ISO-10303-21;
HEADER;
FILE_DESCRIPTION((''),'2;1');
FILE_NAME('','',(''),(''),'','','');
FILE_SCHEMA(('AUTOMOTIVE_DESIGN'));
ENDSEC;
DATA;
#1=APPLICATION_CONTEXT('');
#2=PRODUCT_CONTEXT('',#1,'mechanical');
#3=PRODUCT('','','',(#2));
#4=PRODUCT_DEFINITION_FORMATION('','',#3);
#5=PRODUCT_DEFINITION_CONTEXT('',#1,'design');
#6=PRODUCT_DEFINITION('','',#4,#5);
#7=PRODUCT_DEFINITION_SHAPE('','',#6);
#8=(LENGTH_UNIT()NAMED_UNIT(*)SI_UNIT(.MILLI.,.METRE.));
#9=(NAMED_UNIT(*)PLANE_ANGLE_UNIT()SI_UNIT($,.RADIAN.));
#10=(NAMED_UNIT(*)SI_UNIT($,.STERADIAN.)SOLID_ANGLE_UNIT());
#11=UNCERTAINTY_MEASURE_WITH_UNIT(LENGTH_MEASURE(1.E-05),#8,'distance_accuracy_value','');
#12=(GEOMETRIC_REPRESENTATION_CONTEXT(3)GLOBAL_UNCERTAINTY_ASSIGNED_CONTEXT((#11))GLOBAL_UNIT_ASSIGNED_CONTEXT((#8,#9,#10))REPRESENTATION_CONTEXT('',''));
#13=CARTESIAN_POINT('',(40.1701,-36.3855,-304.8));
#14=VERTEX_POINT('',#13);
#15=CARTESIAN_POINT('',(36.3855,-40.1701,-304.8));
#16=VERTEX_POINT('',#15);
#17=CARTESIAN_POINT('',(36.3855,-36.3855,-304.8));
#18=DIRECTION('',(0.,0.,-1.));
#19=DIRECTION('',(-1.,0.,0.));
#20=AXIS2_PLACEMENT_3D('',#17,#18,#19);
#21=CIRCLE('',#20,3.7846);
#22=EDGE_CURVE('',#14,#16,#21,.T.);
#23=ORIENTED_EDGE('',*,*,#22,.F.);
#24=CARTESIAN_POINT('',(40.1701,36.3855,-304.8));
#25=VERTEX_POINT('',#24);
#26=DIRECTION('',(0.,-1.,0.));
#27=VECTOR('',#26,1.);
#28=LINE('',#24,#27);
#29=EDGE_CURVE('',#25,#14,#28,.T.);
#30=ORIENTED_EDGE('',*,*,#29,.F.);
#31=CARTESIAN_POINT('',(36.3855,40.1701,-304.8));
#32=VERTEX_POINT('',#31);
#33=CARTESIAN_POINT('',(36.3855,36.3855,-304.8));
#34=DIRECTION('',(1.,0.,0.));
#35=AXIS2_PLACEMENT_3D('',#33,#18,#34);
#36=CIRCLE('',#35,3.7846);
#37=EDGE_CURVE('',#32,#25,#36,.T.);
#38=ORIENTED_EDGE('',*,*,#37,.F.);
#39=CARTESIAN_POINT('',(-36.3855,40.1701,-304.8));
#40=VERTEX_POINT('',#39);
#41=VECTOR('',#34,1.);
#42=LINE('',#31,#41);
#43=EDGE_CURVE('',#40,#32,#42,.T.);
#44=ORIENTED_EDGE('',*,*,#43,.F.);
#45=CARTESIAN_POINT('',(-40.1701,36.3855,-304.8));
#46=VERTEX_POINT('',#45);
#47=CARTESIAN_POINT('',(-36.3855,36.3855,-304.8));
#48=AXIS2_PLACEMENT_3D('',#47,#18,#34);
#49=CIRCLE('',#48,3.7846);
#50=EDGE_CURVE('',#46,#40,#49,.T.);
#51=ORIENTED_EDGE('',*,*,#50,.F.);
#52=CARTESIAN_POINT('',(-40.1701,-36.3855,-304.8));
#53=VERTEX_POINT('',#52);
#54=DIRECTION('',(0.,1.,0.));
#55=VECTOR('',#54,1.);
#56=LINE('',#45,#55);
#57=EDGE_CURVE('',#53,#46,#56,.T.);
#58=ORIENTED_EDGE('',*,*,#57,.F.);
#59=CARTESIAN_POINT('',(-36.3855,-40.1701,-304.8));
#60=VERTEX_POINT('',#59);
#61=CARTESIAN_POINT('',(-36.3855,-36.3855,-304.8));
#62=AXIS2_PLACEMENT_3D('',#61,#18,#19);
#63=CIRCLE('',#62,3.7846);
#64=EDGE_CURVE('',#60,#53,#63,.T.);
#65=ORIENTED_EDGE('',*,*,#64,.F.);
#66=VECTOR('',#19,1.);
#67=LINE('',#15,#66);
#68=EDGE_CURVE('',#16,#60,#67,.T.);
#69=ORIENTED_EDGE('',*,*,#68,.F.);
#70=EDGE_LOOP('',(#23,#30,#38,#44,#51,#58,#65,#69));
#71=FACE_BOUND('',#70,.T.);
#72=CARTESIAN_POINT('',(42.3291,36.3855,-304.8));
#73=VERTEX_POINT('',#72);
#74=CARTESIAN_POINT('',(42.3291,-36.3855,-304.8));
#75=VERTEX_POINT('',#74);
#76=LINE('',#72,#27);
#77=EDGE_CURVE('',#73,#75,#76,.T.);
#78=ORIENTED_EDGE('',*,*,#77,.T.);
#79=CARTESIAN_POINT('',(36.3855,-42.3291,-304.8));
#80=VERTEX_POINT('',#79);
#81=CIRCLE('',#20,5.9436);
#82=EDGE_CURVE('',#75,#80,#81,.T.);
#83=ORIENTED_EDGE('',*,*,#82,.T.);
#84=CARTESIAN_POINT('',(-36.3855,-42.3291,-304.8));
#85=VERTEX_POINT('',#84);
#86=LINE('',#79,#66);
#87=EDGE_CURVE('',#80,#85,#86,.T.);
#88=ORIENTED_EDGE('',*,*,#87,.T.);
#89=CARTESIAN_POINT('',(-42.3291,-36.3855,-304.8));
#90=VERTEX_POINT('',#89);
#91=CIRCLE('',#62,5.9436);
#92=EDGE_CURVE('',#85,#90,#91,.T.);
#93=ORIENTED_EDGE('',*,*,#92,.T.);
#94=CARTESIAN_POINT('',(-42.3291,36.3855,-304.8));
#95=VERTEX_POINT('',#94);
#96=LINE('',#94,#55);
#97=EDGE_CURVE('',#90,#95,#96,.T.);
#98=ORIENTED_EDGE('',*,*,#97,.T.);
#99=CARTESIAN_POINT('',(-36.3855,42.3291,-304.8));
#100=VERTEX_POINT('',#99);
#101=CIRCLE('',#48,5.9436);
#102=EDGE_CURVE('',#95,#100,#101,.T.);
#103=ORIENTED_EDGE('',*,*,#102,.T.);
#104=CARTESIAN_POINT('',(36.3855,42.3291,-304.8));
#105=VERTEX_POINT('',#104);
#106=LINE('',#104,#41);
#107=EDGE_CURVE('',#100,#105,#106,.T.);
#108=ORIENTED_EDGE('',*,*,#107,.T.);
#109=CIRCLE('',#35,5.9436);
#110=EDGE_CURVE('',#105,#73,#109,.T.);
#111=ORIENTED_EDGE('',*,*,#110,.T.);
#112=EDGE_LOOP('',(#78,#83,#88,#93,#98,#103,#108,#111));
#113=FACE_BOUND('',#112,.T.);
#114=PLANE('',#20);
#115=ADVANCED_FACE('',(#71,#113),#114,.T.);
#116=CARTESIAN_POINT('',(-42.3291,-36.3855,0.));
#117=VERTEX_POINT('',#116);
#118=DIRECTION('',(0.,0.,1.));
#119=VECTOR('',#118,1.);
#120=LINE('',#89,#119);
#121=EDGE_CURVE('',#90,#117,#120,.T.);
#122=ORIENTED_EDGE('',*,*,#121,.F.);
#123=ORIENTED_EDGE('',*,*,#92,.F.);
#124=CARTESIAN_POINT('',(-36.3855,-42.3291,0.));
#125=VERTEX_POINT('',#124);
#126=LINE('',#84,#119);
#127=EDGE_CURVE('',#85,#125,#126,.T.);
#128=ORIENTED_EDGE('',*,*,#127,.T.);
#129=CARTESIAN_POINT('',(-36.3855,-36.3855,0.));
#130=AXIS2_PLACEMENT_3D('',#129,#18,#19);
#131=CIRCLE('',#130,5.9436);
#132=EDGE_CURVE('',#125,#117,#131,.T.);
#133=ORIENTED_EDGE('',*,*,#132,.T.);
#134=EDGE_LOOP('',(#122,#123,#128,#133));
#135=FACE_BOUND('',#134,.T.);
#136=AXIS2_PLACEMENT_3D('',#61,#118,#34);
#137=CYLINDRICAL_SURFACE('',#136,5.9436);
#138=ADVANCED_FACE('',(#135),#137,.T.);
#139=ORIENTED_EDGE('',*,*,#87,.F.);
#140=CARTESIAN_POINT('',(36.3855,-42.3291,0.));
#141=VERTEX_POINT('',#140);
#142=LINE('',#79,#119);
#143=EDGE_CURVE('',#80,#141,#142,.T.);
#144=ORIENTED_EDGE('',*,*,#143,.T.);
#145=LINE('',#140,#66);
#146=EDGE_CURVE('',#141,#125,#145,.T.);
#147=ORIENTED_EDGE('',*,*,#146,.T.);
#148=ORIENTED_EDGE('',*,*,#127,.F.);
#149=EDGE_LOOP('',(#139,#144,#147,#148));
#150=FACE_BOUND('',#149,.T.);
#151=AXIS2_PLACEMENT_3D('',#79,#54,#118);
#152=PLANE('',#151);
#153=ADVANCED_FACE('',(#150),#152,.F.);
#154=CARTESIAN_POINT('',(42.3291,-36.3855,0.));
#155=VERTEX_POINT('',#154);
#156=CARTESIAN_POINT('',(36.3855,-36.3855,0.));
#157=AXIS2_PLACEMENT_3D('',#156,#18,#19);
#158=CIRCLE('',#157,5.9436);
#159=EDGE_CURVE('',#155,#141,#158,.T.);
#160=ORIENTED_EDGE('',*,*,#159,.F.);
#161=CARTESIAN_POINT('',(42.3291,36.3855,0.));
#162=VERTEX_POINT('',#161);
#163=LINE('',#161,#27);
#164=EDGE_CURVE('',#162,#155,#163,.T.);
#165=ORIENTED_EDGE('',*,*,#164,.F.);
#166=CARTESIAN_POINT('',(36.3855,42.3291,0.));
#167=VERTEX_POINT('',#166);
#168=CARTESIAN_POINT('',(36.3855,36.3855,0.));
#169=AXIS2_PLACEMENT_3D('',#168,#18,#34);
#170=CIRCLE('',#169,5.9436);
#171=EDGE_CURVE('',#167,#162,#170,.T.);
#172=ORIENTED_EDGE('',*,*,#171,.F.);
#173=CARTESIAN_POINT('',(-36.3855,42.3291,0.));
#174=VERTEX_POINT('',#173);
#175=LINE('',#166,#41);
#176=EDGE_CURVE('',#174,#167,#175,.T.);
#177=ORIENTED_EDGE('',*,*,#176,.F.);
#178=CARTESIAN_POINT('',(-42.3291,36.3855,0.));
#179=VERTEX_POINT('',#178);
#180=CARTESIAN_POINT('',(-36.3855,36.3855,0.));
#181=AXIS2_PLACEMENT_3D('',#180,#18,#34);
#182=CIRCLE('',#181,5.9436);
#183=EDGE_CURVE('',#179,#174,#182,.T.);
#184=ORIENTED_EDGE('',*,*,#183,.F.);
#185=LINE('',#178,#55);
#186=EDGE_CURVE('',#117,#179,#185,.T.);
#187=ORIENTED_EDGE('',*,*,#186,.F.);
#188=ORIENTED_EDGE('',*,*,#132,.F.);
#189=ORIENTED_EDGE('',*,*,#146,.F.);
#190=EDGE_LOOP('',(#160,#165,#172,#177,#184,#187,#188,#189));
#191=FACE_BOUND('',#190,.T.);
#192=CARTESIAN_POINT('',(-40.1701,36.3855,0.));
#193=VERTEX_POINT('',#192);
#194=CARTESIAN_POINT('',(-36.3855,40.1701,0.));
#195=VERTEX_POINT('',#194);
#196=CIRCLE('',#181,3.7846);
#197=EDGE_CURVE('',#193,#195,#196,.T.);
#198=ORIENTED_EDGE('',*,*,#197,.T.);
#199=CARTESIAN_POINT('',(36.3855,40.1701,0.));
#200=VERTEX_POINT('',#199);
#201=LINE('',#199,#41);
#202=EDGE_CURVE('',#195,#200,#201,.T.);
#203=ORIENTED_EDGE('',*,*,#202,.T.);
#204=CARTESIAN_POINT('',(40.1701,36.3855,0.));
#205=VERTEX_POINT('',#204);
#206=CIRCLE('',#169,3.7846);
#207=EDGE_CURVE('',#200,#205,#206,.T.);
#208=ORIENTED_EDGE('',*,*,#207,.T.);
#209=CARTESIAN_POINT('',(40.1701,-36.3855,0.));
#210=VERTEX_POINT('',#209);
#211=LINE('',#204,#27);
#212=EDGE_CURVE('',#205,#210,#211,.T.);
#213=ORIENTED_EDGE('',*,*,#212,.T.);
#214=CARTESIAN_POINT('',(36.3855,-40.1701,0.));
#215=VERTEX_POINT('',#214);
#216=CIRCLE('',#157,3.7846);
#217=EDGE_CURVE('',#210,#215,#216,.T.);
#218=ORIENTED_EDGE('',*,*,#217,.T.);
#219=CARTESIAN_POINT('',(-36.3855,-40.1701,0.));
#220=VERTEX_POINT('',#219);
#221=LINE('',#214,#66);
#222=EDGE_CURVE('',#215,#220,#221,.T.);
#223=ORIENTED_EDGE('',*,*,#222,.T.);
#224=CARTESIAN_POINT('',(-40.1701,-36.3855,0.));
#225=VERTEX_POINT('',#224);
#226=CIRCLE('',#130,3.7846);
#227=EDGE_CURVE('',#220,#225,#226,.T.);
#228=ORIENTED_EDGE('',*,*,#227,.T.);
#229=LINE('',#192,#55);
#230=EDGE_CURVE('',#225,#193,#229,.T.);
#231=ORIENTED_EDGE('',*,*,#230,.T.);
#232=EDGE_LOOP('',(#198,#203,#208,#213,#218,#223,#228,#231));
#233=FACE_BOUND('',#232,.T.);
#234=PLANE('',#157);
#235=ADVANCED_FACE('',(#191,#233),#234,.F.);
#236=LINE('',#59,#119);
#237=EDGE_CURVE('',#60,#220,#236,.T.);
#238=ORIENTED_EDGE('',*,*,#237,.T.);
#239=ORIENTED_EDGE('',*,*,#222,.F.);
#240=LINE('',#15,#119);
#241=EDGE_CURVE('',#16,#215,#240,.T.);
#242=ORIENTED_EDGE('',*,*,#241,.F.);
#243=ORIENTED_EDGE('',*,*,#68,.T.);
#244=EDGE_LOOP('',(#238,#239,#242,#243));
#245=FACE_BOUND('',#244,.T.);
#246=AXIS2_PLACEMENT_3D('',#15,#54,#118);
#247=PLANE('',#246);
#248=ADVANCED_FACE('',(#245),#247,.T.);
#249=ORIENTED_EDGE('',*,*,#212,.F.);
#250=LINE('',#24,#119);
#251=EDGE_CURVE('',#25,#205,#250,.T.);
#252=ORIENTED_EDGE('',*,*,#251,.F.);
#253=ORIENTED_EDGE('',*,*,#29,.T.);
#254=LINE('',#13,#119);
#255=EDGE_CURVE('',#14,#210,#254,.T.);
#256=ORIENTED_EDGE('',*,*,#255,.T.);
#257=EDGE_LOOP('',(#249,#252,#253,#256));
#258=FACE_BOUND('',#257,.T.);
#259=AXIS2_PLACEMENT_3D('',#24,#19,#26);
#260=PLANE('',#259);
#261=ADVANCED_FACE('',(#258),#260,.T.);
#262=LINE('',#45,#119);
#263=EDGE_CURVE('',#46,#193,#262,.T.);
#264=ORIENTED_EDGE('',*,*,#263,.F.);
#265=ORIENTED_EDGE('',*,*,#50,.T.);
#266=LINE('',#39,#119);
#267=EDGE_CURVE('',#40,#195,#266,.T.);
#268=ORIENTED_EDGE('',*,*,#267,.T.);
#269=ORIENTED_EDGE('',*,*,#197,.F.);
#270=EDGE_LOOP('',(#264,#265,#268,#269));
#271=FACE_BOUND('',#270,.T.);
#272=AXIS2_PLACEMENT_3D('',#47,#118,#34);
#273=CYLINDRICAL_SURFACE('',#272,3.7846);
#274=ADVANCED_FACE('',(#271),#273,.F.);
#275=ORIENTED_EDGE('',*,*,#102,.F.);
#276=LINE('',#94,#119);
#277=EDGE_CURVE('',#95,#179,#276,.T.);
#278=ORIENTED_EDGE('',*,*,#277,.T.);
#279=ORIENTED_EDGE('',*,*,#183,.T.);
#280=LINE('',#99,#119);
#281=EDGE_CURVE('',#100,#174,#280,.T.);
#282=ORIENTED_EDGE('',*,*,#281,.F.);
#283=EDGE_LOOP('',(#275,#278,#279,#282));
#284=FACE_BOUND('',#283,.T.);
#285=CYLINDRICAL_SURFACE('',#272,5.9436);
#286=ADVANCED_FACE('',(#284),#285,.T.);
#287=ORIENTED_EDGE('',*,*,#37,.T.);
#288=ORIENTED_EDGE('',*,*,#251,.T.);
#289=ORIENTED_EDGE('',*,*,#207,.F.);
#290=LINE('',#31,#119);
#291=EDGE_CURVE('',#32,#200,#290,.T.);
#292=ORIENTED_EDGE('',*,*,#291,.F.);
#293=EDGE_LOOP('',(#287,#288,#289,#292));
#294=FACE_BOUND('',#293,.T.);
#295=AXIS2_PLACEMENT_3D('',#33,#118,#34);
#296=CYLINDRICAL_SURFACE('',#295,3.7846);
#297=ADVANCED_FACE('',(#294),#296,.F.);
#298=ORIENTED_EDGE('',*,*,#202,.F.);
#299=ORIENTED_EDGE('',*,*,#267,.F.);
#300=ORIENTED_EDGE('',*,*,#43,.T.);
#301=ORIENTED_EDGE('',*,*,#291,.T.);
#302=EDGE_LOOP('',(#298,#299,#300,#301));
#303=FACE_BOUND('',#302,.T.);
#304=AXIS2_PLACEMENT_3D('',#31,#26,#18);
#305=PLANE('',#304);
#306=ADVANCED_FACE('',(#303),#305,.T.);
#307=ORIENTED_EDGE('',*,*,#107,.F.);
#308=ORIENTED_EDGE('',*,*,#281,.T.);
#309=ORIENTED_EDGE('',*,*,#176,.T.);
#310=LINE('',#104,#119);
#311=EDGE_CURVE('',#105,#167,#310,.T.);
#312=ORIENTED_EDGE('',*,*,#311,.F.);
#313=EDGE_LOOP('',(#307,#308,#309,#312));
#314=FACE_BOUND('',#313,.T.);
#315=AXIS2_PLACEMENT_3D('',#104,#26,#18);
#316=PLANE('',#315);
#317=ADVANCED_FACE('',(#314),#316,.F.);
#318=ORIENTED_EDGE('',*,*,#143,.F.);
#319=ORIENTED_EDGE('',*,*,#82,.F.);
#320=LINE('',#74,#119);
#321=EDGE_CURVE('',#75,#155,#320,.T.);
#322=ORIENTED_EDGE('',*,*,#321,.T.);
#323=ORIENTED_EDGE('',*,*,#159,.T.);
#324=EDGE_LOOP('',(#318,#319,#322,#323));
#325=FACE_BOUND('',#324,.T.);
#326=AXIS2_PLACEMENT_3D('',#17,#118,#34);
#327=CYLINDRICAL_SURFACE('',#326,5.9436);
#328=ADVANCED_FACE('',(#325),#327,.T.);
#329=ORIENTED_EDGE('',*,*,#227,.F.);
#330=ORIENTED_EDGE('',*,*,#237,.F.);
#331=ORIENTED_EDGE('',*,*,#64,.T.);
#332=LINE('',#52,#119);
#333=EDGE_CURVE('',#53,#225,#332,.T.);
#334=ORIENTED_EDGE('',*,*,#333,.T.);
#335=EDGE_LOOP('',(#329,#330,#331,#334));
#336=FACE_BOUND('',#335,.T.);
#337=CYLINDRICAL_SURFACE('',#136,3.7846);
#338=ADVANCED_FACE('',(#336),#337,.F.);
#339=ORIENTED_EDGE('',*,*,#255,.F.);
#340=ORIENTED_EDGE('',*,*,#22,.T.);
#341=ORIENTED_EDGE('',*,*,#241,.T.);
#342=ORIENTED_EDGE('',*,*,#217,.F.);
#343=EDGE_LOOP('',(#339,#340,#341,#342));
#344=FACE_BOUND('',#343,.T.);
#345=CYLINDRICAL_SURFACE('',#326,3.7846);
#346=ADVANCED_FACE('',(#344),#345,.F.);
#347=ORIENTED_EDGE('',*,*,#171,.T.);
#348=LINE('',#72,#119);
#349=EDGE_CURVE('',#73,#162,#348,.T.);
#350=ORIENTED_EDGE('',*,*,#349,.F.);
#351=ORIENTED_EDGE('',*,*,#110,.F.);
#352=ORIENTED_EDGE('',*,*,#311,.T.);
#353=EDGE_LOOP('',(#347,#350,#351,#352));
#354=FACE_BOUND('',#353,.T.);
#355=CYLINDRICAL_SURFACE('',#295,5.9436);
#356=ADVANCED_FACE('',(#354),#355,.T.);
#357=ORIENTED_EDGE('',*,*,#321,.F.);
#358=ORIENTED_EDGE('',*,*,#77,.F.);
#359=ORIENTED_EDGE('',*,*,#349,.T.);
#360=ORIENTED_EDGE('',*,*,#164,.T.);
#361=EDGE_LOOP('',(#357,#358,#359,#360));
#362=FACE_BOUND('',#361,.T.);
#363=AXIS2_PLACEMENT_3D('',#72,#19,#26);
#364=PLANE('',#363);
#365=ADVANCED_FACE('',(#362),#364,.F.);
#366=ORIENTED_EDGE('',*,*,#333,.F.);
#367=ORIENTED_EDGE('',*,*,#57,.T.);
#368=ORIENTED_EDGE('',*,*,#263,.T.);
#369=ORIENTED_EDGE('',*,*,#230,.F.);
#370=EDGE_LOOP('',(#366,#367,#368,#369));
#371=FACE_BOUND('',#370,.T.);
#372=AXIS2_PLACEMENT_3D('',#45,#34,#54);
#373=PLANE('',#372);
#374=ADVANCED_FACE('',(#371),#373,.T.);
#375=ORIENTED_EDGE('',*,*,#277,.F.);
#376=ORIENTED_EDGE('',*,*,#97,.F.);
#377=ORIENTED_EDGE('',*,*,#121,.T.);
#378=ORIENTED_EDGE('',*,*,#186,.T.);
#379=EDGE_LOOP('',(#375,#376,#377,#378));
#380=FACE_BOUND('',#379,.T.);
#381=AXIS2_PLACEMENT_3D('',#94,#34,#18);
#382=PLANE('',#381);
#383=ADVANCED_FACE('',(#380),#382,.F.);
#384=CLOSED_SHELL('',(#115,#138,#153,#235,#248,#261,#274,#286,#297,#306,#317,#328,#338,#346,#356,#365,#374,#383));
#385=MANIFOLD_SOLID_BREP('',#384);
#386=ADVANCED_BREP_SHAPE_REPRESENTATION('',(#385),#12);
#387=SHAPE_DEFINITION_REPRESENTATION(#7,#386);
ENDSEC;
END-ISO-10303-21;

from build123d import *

# Parameters (mm, degrees)
STRUCTURAL_MEMBER1_DEPTH = 304.8


with BuildPart() as part:
    # Sketch137 → Structural Member1 (new body)
    with BuildSketch(Plane(origin=(0, 0, 0), x_dir=(-1, 0, 0), z_dir=(0, 0, -1))):
        with BuildLine():
            Line((-42.3291, 36.3855), (-42.3291, -36.3855))
            ThreePointArc((-42.3291, -36.3855), (-40.588259865, -40.588259865), (-36.3855, -42.3291))
            Line((-36.3855, -42.3291), (36.3855, -42.3291))
            ThreePointArc((36.3855, -42.3291), (40.588259865, -40.588259865), (42.3291, -36.3855))
            Line((42.3291, -36.3855), (42.3291, 36.3855))
            ThreePointArc((42.3291, 36.3855), (40.588259865, 40.588259865), (36.3855, 42.3291))
            Line((36.3855, 42.3291), (-36.3855, 42.3291))
            ThreePointArc((-36.3855, 42.3291), (-40.588259865, 40.588259865), (-42.3291, 36.3855))
        make_face()
        with BuildLine():
            Line((-40.1701, 36.3855), (-40.1701, -36.3855))
            ThreePointArc((-40.1701, -36.3855), (-39.061616324, -39.061616324), (-36.3855, -40.1701))
            Line((-36.3855, -40.1701), (36.3855, -40.1701))
            ThreePointArc((36.3855, -40.1701), (39.061616324, -39.061616324), (40.1701, -36.3855))
            Line((40.1701, -36.3855), (40.1701, 36.3855))
            ThreePointArc((40.1701, 36.3855), (39.061616324, 39.061616324), (36.3855, 40.1701))
            Line((36.3855, 40.1701), (-36.3855, 40.1701))
            ThreePointArc((-36.3855, 40.1701), (-39.061616324, 39.061616324), (-40.1701, 36.3855))
        make_face(mode=Mode.SUBTRACT)
    extrude(amount=STRUCTURAL_MEMBER1_DEPTH)


solid = part.part
